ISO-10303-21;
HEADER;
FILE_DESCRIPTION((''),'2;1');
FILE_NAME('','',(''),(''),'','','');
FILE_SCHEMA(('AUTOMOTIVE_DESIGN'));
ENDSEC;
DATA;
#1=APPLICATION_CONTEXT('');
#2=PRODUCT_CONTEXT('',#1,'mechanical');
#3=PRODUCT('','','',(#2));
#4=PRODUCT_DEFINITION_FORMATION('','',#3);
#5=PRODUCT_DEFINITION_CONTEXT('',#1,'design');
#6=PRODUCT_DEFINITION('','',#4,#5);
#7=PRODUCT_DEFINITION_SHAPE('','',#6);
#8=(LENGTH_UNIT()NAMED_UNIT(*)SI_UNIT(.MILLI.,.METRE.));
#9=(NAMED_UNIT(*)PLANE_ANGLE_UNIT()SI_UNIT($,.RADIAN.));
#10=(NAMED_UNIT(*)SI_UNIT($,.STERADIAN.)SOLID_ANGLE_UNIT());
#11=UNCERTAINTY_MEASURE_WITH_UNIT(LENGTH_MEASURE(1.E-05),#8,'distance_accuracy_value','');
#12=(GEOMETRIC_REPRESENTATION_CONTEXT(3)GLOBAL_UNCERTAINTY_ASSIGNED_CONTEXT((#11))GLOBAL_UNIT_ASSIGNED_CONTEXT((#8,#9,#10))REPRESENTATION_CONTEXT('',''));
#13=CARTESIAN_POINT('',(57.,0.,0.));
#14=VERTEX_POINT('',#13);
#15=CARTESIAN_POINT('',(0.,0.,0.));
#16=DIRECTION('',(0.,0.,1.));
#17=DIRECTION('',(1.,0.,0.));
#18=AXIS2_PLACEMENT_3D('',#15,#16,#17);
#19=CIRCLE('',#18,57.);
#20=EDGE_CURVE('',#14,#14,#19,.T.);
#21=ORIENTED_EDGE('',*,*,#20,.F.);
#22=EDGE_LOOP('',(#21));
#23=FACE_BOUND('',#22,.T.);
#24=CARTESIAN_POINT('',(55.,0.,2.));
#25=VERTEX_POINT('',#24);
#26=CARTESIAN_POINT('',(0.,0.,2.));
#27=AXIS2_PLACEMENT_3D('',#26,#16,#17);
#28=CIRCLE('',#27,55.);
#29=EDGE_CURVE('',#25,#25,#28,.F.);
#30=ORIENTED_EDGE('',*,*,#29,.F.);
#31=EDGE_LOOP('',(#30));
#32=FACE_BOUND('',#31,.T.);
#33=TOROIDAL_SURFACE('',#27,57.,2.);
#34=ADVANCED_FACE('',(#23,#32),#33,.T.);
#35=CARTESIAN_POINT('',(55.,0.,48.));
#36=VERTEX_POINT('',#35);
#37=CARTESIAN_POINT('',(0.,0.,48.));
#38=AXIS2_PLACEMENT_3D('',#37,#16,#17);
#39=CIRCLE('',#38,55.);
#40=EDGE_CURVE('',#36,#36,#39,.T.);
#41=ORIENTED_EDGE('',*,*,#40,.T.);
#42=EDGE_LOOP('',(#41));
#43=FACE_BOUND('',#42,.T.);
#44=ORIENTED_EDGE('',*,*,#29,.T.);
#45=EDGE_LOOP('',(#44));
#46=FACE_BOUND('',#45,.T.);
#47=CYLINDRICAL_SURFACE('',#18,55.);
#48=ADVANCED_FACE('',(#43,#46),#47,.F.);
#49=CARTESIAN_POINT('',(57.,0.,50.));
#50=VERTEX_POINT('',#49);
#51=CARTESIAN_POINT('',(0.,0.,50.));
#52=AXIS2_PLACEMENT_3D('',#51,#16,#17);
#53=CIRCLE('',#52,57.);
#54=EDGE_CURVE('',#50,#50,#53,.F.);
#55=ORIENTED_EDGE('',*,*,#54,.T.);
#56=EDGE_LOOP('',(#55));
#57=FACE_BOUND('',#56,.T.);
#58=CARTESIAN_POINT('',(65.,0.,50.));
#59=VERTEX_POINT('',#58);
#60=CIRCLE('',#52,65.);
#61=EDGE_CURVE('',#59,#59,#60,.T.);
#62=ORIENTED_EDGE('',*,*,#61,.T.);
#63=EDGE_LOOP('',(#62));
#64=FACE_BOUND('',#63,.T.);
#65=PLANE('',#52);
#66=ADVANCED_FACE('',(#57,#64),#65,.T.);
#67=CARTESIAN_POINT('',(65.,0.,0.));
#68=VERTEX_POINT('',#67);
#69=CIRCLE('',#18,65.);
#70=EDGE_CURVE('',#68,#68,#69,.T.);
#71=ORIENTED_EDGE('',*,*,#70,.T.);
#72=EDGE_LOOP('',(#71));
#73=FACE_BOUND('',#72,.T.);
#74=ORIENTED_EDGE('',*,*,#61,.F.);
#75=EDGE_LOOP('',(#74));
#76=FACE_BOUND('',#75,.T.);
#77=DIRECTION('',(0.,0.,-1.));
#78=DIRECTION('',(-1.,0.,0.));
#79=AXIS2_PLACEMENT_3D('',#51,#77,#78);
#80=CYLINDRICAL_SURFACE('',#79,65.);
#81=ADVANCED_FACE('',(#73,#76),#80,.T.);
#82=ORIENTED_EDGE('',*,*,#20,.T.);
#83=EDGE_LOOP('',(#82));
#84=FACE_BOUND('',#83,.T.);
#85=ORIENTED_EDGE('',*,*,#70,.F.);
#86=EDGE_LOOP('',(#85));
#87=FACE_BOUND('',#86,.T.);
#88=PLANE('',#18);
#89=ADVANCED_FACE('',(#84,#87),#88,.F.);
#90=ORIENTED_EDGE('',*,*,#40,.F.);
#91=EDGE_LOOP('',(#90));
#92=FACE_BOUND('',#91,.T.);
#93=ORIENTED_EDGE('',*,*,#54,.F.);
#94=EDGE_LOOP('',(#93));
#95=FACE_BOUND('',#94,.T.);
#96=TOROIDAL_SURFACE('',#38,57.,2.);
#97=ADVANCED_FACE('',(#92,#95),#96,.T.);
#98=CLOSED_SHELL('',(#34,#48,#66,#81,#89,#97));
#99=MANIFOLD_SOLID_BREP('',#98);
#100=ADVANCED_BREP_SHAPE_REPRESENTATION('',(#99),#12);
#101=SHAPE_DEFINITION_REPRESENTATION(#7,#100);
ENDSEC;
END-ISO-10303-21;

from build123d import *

# Parameters (mm, degrees)
SKETCH1_R      = 65
EXTRUDE1_DEPTH = 50
SKETCH2_R      = 55
EXTRUDE2_DEPTH = 51
FILLET1_R      = 2


with BuildPart() as part:
    # Sketch1 → Extrude1 (new body)
    with BuildSketch(Plane.XY):
        Circle(SKETCH1_R)
    extrude(amount=EXTRUDE1_DEPTH)

    # Sketch2 → Extrude2 (cut, through all)
    with BuildSketch(Plane.XY.offset(50)):
        Circle(SKETCH2_R)
    extrude(amount=-EXTRUDE2_DEPTH, mode=Mode.SUBTRACT)

    # Fillet1
    fillet1_edges = [part.edges().sort_by_distance(p)[0] for p in [
        (-55, 0, 0),
        (-55, 0, 50),
    ]]
    fillet(fillet1_edges, radius=FILLET1_R)


solid = part.part
